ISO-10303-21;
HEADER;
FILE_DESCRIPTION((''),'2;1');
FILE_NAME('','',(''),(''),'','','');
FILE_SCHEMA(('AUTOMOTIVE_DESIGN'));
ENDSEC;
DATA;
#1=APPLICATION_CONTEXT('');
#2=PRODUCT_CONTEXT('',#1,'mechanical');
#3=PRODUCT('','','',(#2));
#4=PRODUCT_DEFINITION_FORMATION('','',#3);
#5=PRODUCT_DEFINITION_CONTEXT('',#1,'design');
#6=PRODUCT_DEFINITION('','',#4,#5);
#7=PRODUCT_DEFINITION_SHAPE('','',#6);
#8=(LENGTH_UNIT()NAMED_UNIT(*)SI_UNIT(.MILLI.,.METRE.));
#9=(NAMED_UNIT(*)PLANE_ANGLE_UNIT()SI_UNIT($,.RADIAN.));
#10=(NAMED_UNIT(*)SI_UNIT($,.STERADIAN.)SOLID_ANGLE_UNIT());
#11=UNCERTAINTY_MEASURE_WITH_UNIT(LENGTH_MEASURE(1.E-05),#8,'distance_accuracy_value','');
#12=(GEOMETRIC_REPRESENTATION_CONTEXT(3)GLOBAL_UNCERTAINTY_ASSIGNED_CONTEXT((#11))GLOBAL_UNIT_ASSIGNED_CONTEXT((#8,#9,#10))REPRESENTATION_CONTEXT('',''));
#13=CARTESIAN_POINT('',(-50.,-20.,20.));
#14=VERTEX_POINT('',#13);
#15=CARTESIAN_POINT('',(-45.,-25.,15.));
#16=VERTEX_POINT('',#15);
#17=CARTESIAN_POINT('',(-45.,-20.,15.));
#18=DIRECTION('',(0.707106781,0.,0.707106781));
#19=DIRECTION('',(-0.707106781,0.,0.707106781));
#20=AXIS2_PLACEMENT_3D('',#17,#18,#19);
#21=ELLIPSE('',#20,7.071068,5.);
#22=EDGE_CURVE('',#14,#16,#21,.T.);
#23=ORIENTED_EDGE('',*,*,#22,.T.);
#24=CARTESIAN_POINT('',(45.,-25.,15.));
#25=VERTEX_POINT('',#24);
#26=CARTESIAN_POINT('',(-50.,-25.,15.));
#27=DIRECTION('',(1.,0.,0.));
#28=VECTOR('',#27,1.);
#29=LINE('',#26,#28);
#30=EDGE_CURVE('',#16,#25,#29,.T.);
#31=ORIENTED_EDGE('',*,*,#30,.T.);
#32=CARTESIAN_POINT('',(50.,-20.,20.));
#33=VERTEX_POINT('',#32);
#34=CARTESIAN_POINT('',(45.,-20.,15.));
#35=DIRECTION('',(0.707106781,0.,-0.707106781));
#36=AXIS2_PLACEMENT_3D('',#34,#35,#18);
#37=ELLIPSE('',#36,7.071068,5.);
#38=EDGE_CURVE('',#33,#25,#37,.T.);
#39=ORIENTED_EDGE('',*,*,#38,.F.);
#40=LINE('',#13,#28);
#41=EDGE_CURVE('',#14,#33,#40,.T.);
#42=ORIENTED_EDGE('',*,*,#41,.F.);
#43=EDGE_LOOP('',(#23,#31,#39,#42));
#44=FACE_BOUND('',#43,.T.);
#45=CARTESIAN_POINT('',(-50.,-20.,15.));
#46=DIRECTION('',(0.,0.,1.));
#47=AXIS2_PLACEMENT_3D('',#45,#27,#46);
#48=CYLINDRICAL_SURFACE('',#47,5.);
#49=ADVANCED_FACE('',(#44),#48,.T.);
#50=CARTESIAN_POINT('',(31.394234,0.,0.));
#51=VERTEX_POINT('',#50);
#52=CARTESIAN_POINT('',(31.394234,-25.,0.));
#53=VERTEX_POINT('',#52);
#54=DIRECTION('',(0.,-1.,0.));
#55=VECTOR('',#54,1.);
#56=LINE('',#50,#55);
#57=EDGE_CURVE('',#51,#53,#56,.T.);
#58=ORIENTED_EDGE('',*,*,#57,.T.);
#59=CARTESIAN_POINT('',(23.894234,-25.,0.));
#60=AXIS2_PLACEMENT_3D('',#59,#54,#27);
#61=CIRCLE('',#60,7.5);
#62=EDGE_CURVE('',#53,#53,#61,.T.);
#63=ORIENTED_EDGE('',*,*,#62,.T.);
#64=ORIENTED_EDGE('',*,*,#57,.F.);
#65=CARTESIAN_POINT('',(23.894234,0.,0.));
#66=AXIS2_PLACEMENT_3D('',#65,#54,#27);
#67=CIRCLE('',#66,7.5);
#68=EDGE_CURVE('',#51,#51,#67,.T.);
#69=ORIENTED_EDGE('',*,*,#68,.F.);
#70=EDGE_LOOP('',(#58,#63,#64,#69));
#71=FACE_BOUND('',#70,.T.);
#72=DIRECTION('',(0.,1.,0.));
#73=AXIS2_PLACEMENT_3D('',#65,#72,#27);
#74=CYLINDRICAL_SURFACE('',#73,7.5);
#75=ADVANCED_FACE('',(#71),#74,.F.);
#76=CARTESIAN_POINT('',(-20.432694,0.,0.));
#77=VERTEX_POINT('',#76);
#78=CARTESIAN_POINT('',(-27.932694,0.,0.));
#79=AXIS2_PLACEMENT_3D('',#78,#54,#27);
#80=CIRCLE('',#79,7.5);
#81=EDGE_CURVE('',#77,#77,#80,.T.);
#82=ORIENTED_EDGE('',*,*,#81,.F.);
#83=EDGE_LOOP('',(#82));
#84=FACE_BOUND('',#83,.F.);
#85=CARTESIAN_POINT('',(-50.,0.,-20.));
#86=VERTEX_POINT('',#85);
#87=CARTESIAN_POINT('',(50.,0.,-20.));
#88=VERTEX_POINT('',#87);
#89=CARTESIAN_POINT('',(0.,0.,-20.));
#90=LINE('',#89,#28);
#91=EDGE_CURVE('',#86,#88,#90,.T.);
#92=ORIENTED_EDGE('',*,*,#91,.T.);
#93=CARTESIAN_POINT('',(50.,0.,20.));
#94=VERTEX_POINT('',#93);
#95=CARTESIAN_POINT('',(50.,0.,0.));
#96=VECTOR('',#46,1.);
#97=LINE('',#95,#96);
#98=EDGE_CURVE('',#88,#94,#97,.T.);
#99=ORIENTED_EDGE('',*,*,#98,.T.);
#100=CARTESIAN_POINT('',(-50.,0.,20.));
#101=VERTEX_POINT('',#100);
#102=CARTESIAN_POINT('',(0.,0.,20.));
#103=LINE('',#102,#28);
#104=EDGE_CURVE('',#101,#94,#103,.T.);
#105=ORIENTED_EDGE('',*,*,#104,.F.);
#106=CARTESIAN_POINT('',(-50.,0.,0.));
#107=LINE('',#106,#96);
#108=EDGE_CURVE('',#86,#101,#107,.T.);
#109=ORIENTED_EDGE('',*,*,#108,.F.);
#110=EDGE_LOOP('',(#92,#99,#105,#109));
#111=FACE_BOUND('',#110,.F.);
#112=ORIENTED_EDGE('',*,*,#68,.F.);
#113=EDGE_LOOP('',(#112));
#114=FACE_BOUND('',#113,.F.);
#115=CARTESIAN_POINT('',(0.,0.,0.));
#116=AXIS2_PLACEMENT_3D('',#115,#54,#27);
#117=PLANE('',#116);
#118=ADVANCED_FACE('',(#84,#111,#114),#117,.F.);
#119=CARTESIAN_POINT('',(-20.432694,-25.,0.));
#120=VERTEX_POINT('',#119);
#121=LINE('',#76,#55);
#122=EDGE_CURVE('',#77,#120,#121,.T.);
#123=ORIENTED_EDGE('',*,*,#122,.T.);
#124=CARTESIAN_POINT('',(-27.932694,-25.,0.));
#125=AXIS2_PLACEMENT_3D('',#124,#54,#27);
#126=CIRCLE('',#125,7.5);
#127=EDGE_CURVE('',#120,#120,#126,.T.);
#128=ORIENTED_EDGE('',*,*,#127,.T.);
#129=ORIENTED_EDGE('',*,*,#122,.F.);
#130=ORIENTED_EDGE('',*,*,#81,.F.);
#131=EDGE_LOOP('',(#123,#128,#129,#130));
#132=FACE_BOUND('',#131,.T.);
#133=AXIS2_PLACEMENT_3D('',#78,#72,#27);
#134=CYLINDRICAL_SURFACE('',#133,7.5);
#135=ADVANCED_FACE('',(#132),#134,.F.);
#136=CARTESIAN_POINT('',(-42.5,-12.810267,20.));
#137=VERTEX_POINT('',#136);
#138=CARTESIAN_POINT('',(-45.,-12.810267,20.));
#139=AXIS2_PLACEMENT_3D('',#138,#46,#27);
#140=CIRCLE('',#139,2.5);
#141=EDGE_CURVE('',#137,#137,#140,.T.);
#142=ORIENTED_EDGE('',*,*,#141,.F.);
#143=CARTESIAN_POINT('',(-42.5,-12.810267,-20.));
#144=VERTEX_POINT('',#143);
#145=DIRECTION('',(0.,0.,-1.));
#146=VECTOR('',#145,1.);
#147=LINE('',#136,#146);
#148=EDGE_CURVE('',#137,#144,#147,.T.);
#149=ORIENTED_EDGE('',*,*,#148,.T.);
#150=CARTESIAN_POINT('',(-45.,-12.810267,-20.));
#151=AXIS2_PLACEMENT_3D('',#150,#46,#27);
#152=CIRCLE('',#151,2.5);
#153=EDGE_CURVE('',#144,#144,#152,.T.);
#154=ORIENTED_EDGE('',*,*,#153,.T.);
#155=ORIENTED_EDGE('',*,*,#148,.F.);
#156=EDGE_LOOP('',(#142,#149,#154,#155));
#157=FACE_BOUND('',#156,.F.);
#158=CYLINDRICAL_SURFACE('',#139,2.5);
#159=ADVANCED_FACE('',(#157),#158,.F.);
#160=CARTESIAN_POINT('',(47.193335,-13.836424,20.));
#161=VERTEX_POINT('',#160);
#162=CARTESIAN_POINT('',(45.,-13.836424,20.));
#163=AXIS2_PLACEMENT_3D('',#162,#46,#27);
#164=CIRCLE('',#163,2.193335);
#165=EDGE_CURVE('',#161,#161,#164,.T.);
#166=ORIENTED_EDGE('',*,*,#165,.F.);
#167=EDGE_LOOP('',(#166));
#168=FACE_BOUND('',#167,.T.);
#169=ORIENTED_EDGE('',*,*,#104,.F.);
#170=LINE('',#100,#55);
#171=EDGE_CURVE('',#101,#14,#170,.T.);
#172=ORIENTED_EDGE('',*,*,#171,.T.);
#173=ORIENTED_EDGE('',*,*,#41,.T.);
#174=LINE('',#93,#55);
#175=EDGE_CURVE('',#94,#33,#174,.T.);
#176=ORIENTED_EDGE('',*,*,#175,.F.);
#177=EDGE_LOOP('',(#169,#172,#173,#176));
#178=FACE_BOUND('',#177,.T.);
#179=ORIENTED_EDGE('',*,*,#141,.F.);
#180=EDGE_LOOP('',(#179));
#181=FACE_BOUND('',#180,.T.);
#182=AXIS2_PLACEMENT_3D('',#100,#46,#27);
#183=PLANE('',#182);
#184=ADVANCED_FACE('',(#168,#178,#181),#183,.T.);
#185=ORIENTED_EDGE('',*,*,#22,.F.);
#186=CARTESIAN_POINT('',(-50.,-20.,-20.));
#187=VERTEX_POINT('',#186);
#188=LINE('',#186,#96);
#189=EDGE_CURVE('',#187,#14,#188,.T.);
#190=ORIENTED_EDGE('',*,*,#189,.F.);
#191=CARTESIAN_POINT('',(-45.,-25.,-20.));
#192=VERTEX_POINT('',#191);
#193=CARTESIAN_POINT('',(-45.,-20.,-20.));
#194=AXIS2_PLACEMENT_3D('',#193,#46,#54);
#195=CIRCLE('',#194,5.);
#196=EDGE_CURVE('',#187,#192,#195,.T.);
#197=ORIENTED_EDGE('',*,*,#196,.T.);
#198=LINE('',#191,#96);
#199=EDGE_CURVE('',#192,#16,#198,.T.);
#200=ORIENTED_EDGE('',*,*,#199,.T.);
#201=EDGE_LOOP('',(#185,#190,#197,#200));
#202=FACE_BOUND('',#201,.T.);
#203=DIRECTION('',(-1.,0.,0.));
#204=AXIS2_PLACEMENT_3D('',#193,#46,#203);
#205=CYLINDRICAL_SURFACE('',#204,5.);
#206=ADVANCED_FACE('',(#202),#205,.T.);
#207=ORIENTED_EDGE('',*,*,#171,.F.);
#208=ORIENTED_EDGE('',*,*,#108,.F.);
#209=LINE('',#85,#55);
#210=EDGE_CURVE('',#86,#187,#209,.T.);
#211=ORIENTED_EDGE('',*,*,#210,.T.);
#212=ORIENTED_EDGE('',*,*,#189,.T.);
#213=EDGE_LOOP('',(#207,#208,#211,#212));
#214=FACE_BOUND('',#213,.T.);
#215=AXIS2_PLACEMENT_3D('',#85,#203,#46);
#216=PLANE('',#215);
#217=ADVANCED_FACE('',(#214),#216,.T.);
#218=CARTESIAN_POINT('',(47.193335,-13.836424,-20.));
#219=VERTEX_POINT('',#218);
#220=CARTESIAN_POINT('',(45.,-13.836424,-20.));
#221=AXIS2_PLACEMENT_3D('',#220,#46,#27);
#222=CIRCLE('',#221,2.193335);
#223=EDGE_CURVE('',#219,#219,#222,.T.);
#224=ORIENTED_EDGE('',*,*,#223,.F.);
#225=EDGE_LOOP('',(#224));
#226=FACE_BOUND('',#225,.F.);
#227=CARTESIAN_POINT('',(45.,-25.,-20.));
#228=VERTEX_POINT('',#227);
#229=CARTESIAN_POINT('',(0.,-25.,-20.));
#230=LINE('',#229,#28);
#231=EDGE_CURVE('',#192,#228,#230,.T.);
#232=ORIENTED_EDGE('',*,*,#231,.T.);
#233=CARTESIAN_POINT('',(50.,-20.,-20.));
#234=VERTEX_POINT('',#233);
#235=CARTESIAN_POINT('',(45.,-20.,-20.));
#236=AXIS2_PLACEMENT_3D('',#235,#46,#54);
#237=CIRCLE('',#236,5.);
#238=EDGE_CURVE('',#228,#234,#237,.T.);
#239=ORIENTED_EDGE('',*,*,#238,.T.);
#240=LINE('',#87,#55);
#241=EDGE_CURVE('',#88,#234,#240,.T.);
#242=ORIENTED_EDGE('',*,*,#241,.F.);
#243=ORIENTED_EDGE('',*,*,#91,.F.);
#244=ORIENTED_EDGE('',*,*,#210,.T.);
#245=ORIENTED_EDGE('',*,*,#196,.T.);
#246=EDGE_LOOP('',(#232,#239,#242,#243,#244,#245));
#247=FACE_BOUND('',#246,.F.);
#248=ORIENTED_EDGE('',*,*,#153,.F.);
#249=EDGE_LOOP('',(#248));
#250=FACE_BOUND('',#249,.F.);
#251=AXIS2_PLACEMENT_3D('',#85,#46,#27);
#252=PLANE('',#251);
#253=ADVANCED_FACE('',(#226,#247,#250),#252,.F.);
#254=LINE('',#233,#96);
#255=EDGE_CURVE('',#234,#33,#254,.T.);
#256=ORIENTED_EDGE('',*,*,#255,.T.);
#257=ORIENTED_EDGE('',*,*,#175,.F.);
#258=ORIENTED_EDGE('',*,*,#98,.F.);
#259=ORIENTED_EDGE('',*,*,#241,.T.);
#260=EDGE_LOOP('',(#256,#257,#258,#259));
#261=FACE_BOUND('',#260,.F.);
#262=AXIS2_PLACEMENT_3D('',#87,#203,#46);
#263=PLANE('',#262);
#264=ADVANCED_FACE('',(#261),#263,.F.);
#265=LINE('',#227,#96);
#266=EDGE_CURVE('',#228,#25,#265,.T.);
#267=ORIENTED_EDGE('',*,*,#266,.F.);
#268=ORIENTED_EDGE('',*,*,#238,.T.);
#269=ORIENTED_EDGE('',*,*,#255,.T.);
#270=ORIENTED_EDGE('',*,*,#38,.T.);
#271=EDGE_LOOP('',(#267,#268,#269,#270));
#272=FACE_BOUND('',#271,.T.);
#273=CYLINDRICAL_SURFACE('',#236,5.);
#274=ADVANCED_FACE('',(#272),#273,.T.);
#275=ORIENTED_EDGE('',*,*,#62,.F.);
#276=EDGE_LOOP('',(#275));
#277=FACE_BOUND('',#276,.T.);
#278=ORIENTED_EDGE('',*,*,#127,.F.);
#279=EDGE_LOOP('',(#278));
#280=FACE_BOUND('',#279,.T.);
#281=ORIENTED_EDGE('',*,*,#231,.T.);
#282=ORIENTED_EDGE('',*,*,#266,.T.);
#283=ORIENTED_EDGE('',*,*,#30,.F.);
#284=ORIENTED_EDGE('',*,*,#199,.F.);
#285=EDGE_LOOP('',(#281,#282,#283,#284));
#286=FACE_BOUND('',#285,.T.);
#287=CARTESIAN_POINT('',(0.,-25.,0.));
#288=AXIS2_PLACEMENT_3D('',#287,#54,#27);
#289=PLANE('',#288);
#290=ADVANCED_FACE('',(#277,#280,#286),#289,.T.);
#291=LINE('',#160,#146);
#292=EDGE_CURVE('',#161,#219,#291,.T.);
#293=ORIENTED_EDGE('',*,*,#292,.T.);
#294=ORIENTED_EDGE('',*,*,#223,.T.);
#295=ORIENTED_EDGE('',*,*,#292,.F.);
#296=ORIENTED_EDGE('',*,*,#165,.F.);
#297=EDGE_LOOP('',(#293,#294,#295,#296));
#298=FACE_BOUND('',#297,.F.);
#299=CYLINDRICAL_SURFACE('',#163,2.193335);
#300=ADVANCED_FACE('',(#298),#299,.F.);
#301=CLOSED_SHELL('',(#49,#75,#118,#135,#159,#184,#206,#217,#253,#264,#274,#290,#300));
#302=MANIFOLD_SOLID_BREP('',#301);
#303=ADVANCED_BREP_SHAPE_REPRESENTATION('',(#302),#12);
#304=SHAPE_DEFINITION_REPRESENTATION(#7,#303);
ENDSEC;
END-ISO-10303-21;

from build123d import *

# Parameters (mm, degrees)
F0_W     = 100
F0_H     = 40
F0_R     = 7.5
F1_DEPTH = 25
F2_R     = 2.5
F2_R_2   = 2.193335
F3_DEPTH = 40.001
F4_R     = 5


with BuildPart() as f1:
    # F0 (on Front) → F1 (new body)
    with BuildSketch(Plane.XZ):
        Rectangle(F0_W, F0_H)
        with Locations((-27.932694, 0)):
            Circle(F0_R, mode=Mode.SUBTRACT)
        with Locations((23.894234, 0)):
            Circle(F0_R, mode=Mode.SUBTRACT)
    extrude(amount=F1_DEPTH)

    # F2 (on face) → F3 (cut, through all)
    with BuildSketch(Plane.XY.offset(20)):
        with Locations((-45, -12.810267)):
            Circle(F2_R)
        with Locations((45, -13.836424)):
            Circle(F2_R_2)
    extrude(amount=-F3_DEPTH, mode=Mode.SUBTRACT)

    # F4
    f4_edges = [f1.edges().sort_by_distance(p)[0] for p in [
        (-50, -25, 0),
        (0, -25, 20),
        (50, -25, 0),
    ]]
    fillet(f4_edges, radius=F4_R)


solid = f1.part
